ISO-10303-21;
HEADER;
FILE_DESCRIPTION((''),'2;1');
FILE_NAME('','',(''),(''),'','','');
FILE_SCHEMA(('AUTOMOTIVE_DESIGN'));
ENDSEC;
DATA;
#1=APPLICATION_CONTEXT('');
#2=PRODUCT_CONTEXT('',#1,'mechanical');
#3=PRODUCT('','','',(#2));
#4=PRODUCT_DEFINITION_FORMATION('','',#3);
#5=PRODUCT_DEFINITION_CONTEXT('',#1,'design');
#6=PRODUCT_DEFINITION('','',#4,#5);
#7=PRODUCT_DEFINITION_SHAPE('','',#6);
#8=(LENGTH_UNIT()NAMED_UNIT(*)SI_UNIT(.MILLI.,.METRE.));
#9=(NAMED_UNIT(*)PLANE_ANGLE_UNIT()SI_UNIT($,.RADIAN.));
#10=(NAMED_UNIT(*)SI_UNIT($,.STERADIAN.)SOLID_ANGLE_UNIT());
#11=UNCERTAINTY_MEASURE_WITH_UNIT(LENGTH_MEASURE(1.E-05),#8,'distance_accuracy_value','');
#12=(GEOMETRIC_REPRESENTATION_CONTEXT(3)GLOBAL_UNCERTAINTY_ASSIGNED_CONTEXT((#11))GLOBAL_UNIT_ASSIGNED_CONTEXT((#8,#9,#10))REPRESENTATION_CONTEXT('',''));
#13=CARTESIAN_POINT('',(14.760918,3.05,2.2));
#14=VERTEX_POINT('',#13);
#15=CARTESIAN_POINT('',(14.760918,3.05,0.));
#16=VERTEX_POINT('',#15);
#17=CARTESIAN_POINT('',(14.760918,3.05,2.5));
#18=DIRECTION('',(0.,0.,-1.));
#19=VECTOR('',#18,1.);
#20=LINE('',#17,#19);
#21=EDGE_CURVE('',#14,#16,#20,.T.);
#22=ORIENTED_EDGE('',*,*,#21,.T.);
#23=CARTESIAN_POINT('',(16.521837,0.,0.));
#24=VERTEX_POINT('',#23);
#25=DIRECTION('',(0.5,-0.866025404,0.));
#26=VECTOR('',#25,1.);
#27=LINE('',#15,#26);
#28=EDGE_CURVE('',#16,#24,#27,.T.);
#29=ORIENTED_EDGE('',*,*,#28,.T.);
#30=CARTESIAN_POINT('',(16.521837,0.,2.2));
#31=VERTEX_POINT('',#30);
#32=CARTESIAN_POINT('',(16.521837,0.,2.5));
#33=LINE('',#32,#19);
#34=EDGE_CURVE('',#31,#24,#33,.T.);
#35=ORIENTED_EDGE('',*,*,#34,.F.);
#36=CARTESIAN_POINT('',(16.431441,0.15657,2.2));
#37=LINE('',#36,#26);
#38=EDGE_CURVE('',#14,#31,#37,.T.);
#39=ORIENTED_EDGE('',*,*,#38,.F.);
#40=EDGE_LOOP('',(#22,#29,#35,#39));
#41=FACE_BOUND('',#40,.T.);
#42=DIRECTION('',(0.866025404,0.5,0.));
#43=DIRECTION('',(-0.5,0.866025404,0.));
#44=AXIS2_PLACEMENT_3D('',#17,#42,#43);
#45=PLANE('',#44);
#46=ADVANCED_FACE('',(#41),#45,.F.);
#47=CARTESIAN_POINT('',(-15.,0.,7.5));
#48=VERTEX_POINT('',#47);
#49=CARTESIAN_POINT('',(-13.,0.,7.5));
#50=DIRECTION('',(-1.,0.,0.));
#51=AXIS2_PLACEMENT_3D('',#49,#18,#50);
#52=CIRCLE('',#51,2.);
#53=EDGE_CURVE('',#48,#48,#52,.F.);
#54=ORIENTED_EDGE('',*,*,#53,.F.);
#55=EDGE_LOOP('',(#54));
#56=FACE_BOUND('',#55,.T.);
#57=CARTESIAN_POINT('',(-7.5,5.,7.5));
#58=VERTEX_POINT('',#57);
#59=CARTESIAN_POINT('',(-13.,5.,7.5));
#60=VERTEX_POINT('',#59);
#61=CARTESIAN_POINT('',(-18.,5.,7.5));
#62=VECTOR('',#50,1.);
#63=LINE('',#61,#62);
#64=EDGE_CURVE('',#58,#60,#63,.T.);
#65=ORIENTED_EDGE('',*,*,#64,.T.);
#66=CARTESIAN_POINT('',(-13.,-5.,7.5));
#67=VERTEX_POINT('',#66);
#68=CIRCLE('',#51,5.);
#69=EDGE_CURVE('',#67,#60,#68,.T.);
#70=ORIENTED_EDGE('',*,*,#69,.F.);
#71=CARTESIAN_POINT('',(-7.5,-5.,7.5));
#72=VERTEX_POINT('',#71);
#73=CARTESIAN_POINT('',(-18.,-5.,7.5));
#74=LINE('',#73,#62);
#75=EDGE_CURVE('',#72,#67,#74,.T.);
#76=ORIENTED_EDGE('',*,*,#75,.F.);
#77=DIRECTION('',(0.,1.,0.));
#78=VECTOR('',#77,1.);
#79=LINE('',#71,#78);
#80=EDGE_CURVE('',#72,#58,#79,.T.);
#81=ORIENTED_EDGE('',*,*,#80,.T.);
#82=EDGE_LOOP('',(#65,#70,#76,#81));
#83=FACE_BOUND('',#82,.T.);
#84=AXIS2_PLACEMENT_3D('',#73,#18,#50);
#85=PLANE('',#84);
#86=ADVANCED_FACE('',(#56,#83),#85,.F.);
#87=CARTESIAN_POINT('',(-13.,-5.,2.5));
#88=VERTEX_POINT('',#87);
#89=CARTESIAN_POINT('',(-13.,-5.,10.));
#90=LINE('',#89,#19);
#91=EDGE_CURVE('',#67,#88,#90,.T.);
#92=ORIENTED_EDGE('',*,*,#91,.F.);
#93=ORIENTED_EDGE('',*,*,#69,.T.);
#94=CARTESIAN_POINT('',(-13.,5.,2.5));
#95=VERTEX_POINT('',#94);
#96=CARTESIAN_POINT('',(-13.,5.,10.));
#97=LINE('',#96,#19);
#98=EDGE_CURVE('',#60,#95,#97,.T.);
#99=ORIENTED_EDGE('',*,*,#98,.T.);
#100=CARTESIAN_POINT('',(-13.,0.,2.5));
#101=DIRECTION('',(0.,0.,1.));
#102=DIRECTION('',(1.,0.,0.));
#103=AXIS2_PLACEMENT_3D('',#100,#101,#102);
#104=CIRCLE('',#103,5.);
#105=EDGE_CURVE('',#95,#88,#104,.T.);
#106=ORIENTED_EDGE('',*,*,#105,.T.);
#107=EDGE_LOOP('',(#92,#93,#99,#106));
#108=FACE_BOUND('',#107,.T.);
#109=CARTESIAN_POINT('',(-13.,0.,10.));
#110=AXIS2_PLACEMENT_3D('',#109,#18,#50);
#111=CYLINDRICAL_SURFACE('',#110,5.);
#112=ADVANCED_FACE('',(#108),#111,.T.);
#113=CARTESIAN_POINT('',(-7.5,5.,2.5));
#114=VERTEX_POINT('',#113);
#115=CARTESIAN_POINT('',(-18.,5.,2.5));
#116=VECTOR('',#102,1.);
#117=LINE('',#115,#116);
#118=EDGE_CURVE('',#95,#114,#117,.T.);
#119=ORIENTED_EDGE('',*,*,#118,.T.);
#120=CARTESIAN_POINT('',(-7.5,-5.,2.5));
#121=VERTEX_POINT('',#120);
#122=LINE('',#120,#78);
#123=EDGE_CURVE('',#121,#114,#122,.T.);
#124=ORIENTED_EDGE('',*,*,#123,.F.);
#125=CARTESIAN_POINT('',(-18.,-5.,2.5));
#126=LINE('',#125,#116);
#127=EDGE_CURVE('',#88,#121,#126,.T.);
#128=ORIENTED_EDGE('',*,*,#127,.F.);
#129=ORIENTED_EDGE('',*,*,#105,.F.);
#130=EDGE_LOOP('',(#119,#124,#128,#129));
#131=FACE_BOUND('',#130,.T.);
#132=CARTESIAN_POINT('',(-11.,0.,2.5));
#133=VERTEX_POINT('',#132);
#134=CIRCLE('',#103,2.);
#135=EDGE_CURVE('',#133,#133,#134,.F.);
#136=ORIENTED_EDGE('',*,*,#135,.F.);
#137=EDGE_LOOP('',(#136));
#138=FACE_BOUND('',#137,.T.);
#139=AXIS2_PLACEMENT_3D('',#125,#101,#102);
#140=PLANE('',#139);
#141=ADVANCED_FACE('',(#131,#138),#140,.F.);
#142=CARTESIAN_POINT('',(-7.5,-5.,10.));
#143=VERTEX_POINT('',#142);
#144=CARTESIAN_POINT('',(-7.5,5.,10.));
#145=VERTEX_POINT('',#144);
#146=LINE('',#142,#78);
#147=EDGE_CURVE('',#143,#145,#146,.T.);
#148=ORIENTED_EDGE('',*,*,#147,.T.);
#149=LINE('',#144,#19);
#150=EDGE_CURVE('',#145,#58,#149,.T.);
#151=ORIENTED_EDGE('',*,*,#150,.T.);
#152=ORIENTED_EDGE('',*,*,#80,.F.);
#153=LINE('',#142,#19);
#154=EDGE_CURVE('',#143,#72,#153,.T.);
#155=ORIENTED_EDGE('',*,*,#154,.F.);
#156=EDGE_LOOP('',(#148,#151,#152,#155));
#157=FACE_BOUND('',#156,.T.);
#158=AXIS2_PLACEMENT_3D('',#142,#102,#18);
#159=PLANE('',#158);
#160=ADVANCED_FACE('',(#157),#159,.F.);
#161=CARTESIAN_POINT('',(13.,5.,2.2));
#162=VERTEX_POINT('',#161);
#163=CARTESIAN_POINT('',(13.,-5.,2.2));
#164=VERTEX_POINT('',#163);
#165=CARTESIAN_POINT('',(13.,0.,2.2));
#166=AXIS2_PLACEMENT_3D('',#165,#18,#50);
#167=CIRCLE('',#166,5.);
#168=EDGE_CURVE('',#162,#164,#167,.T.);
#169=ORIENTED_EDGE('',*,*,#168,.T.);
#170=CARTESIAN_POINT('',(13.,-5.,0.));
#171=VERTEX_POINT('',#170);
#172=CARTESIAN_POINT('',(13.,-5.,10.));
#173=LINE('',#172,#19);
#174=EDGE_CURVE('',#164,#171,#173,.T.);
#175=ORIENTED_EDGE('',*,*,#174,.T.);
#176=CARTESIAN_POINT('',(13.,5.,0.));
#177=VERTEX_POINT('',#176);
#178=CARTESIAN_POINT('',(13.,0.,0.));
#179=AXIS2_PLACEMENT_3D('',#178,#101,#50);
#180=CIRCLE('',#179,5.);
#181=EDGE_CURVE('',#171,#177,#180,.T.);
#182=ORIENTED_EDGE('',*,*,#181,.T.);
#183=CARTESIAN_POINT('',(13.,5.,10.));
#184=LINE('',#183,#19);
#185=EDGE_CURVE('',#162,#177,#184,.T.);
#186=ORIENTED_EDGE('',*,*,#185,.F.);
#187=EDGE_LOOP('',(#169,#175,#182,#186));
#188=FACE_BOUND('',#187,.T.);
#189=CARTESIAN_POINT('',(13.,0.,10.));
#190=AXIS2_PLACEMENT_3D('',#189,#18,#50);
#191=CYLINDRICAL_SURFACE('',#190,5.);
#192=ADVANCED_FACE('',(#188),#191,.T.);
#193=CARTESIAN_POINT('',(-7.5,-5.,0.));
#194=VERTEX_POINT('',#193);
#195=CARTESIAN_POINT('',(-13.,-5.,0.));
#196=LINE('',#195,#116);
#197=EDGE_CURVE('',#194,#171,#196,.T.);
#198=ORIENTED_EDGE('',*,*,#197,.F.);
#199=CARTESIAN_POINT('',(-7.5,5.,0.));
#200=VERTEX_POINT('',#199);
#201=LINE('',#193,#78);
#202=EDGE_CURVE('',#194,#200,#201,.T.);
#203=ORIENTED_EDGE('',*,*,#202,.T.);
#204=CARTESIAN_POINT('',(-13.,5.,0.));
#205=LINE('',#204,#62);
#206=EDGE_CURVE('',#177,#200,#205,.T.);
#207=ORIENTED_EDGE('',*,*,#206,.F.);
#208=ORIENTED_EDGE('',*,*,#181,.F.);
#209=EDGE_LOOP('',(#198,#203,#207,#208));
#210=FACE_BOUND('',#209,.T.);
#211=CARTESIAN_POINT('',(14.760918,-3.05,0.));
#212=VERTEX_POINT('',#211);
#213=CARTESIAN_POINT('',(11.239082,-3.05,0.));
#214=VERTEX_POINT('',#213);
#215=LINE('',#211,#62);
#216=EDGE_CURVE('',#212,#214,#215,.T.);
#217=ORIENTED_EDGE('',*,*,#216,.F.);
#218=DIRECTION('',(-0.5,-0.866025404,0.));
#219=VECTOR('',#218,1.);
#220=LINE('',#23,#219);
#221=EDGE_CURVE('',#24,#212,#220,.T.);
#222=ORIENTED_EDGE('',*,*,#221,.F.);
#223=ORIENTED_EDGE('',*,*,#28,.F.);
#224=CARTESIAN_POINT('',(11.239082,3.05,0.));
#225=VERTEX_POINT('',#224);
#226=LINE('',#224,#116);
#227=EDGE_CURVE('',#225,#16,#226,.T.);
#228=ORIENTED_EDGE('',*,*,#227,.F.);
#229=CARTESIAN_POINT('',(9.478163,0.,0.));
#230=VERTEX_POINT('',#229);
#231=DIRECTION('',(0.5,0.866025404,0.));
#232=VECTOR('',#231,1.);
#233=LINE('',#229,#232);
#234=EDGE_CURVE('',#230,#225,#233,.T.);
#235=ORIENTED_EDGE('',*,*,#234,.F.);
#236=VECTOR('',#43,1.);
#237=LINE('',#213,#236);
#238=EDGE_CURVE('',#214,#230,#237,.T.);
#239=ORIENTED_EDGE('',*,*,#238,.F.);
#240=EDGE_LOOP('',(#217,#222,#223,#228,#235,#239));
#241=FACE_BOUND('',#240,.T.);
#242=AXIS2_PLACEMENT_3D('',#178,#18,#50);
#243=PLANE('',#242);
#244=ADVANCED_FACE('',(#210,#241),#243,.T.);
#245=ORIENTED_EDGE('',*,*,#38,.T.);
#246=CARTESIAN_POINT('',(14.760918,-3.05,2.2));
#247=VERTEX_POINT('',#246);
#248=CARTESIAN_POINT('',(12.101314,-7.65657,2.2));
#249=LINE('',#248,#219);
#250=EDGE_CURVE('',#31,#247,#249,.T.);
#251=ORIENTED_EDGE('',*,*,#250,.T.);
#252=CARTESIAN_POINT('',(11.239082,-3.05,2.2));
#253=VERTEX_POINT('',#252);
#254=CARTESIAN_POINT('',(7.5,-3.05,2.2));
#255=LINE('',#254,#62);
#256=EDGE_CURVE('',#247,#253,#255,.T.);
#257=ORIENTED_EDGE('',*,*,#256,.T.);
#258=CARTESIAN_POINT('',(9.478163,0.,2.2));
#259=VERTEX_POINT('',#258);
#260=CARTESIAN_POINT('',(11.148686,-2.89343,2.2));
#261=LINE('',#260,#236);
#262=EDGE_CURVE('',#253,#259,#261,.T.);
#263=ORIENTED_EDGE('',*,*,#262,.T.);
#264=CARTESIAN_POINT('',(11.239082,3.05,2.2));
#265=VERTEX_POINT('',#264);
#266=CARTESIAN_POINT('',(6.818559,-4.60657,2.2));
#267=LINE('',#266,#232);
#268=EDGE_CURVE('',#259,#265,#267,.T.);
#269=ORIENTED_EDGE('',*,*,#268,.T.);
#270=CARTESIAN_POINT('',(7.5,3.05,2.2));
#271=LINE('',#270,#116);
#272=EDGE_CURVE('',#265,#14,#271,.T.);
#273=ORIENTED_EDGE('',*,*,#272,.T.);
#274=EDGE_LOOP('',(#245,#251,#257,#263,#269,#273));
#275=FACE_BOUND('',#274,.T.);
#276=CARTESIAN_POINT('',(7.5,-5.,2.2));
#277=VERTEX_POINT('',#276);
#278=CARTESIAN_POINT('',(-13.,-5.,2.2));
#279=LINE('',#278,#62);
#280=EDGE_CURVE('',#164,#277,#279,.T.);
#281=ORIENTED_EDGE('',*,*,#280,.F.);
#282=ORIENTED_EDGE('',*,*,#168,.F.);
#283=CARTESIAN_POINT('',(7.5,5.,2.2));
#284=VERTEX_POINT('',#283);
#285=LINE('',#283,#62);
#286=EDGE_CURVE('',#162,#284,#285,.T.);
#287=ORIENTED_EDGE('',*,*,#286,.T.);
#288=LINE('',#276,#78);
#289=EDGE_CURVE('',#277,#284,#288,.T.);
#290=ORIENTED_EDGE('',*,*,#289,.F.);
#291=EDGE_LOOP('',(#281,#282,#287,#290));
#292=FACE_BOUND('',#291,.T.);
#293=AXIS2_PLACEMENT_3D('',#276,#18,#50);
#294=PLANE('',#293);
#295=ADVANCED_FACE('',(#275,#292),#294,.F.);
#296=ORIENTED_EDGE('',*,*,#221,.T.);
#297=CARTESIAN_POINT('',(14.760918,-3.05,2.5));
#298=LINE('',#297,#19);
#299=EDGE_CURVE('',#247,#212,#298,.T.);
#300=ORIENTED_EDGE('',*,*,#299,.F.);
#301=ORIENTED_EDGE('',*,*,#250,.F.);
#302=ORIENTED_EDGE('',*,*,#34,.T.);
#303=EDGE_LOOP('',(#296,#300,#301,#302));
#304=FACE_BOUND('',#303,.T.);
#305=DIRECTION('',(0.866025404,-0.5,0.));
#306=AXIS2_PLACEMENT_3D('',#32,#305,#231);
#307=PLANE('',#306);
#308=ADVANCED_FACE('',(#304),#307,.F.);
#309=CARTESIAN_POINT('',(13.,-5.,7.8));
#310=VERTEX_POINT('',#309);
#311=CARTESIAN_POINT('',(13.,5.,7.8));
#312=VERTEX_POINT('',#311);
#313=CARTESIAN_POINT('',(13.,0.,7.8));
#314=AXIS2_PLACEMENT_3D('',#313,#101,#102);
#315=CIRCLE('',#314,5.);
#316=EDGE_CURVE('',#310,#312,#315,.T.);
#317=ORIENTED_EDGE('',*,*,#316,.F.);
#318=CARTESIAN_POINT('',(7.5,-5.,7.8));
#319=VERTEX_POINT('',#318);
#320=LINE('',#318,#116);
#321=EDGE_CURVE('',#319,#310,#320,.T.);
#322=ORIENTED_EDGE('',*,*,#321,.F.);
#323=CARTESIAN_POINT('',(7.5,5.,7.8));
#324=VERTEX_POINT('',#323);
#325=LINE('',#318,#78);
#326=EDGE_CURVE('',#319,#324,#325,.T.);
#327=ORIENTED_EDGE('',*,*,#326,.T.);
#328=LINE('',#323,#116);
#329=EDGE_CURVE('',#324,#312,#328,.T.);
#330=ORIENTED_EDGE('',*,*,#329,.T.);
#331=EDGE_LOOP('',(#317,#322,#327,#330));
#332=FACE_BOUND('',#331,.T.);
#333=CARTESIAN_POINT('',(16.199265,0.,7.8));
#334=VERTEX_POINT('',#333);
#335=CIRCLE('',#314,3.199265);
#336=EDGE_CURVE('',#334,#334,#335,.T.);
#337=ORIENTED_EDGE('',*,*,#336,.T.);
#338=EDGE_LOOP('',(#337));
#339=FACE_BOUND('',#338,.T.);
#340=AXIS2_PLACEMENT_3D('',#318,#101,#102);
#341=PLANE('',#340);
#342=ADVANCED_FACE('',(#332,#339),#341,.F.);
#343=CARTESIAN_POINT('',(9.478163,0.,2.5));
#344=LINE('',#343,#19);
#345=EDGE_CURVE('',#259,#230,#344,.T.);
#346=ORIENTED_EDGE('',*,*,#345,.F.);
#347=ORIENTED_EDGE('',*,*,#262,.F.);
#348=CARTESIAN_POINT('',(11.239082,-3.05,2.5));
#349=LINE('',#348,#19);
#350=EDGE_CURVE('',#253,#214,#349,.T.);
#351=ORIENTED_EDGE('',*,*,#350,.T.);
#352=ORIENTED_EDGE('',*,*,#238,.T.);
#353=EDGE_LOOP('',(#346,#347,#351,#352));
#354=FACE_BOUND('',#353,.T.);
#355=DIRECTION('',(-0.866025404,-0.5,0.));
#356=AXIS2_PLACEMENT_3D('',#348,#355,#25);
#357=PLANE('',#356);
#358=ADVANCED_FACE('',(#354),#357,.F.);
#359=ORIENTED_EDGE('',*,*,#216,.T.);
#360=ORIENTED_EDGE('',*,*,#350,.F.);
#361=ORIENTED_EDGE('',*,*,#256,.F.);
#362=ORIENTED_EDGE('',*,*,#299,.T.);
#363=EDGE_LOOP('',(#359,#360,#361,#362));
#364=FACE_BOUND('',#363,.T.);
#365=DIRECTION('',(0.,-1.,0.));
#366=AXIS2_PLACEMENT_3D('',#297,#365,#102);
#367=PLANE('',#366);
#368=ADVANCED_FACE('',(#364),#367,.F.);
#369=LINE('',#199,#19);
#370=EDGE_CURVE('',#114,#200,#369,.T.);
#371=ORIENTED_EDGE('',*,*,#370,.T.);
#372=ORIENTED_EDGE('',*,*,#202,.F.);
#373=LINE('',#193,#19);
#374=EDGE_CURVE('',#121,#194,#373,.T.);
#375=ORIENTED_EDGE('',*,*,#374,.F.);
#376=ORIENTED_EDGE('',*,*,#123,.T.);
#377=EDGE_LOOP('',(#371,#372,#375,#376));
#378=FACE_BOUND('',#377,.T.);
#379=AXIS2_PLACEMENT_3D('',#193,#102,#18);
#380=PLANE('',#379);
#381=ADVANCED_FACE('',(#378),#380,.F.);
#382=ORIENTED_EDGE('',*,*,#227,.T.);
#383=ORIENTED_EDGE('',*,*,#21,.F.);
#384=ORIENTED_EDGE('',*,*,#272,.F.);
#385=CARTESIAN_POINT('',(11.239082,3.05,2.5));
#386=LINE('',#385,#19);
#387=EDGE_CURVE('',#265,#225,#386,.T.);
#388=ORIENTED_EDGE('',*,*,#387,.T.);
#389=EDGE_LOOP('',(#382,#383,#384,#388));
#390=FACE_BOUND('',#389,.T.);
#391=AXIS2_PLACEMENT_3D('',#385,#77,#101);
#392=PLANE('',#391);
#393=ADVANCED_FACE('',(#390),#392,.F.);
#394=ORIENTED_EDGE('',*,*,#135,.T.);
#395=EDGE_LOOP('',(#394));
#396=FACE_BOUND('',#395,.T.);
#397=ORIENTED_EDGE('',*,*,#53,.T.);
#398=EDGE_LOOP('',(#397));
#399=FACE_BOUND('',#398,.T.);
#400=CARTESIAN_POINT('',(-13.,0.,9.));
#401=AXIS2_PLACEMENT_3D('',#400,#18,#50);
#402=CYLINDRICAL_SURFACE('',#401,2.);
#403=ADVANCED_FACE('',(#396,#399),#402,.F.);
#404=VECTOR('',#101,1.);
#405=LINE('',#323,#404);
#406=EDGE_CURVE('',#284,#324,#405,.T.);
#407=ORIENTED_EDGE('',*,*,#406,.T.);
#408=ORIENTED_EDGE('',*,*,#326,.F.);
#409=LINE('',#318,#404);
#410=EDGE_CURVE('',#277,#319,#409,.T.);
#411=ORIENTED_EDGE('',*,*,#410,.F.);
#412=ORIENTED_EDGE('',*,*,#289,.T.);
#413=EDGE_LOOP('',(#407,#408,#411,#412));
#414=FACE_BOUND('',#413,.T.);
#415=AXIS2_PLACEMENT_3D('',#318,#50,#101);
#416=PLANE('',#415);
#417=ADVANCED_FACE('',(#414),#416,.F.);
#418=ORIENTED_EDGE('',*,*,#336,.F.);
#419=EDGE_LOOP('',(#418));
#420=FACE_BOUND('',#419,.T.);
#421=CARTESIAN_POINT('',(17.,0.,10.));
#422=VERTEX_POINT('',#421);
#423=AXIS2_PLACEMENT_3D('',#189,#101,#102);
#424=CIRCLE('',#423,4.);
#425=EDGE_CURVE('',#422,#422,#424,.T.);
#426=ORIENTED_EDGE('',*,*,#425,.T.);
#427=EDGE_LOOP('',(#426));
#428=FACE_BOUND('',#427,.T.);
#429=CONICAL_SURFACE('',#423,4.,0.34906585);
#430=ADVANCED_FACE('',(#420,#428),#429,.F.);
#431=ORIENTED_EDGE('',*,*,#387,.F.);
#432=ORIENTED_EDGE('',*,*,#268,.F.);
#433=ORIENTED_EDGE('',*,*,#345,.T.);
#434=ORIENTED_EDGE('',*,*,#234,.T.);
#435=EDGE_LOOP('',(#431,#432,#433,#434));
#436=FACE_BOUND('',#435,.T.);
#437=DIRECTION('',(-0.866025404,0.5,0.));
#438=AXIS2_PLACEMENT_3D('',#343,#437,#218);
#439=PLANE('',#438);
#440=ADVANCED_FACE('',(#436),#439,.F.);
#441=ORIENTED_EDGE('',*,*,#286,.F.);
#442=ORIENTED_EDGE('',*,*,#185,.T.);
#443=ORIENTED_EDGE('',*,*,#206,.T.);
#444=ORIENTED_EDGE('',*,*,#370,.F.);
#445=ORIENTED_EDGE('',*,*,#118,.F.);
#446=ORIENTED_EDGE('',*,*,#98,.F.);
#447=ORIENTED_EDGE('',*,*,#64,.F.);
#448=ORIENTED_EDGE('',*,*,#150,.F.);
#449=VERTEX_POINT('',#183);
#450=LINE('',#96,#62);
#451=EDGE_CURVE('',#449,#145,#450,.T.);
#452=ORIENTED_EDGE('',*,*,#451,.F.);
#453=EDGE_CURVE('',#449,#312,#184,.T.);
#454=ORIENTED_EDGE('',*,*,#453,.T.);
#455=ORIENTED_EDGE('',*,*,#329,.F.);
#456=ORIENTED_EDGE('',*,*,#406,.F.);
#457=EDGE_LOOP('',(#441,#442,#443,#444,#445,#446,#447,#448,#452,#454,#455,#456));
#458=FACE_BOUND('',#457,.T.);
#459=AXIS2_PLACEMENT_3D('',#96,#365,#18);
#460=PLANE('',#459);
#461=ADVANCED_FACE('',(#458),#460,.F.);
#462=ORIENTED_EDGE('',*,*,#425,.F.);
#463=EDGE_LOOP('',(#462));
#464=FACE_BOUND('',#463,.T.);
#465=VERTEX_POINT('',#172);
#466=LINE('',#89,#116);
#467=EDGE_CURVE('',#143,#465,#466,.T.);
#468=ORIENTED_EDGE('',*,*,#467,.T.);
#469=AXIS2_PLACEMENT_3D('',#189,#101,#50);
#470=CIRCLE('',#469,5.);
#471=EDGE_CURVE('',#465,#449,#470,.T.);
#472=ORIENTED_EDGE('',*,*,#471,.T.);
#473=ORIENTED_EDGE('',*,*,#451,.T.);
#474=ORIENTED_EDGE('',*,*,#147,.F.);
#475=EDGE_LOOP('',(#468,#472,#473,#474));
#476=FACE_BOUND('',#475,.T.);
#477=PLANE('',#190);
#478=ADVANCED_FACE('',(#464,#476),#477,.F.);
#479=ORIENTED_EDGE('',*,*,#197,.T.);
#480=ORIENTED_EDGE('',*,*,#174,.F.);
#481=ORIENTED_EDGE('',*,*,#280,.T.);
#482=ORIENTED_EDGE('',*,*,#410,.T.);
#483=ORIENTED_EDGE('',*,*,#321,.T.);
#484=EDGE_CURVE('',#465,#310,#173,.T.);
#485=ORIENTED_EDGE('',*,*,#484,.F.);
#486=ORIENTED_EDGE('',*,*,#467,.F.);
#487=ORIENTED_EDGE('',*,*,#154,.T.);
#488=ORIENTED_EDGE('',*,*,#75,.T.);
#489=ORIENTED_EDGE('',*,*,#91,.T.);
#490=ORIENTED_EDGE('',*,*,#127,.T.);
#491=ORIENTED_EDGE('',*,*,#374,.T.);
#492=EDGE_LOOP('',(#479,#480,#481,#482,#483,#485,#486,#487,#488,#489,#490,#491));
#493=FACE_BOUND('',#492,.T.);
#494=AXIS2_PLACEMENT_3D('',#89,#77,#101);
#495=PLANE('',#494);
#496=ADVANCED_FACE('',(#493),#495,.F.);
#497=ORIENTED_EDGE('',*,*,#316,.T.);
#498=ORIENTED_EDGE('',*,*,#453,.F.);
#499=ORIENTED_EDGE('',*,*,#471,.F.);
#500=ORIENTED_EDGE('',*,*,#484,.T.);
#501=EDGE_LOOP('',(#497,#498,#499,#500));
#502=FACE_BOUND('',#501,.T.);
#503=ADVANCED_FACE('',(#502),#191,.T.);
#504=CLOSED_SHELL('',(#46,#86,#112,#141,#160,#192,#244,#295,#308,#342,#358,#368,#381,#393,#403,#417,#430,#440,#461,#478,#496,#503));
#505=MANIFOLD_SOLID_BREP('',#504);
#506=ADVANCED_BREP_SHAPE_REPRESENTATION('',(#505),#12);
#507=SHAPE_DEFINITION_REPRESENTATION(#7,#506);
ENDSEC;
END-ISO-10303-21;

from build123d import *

# Parameters (mm, degrees)
EXTRUDE_1_DEPTH     = 10
SKETCH_3_W          = 10.5
SKETCH_3_H          = 5.6
CUT_EXTRUDE_2_DEPTH = 23.891046285
SKETCH_4_W          = 10.5
SKETCH_4_H          = 2.5
CUT_EXTRUDE_3_DEPTH = 23.891046285
SKETCH_2_R          = 4
CUT_EXTRUDE_4_DEPTH = 3
CUT_EXTRUDE_4_DRAFT = -20
CUT_EXTRUDE_5_DEPTH = 2.5
SKETCH_9_R          = 2
CUT_EXTRUDE_8_DEPTH = 9


with BuildPart() as part:
    # 草圖1 → 填料-伸長1 (new body)
    with BuildSketch(Plane.XY):
        with BuildLine():
            Line((-13, -5), (13, -5))
            ThreePointArc((13, -5), (18, 0), (13, 5))
            Line((13, 5), (-13, 5))
            ThreePointArc((-13, 5), (-18, 0), (-13, -5))
        make_face()
    extrude(amount=EXTRUDE_1_DEPTH)

    # 草圖3 → 除料-伸長2 (cut, through all)
    with BuildSketch(Plane(origin=(0, 5, 0), x_dir=(1, 0, 0), z_dir=(0, 1, 0))):
        with Locations((12.75, -5)):
            Rectangle(SKETCH_3_W, SKETCH_3_H)
    extrude(amount=-CUT_EXTRUDE_2_DEPTH, mode=Mode.SUBTRACT)

    # 草圖4 → 除料-伸長3 (cut, through all)
    with BuildSketch(Plane(origin=(0, 5, 0), x_dir=(1, 0, 0), z_dir=(0, 1, 0))):
        with Locations((-12.75, -1.25)):
            Rectangle(SKETCH_4_W, SKETCH_4_H)
        with Locations((-12.75, -8.75)):
            Rectangle(SKETCH_4_W, SKETCH_4_H)
    extrude(amount=-CUT_EXTRUDE_3_DEPTH, mode=Mode.SUBTRACT)


with BuildPart() as cut_extrude_4_tool:
    # 草圖2 → 除料-伸長4 (with draft: the straight prism first)
    with BuildSketch(Plane.XY.offset(10)):
        with Locations((13, 0)):
            Circle(SKETCH_2_R)
    extrude(amount=-CUT_EXTRUDE_4_DEPTH)
    # 除料-伸長4: the draft: its side faces are tilted about the plane it starts from
    cut_extrude_4_sides = [cut_extrude_4_tool.faces().sort_by_distance(p)[0] for p in [
        (9, 0, 8.5),
    ]]
    draft(cut_extrude_4_sides, Plane.XY.offset(10), CUT_EXTRUDE_4_DRAFT)


with BuildPart() as part_1:
    add(part.part)

    # 除料-伸長4: cut by cut_extrude_4_tool
    add(cut_extrude_4_tool.part, mode=Mode.SUBTRACT)

    # 草圖5 → 除料-伸長5 (cut)
    with BuildSketch(Plane(origin=(0, 0, 0), x_dir=(-1, 0, 0), z_dir=(0, 0, -1))):
        Polygon((-16.521836642, 0), (-14.760918321, -3.05), (-11.239081679, -3.05), (-9.478163358, 0), (-11.239081679, 3.05), (-14.760918321, 3.05), align=None)
    extrude(amount=-CUT_EXTRUDE_5_DEPTH, mode=Mode.SUBTRACT)

    # 草圖9 → 除料-伸長8 (cut)
    with BuildSketch(Plane.XY):
        with Locations((-13, 0)):
            Circle(SKETCH_9_R)
    extrude(amount=CUT_EXTRUDE_8_DEPTH, mode=Mode.SUBTRACT)


solid = part_1.part
